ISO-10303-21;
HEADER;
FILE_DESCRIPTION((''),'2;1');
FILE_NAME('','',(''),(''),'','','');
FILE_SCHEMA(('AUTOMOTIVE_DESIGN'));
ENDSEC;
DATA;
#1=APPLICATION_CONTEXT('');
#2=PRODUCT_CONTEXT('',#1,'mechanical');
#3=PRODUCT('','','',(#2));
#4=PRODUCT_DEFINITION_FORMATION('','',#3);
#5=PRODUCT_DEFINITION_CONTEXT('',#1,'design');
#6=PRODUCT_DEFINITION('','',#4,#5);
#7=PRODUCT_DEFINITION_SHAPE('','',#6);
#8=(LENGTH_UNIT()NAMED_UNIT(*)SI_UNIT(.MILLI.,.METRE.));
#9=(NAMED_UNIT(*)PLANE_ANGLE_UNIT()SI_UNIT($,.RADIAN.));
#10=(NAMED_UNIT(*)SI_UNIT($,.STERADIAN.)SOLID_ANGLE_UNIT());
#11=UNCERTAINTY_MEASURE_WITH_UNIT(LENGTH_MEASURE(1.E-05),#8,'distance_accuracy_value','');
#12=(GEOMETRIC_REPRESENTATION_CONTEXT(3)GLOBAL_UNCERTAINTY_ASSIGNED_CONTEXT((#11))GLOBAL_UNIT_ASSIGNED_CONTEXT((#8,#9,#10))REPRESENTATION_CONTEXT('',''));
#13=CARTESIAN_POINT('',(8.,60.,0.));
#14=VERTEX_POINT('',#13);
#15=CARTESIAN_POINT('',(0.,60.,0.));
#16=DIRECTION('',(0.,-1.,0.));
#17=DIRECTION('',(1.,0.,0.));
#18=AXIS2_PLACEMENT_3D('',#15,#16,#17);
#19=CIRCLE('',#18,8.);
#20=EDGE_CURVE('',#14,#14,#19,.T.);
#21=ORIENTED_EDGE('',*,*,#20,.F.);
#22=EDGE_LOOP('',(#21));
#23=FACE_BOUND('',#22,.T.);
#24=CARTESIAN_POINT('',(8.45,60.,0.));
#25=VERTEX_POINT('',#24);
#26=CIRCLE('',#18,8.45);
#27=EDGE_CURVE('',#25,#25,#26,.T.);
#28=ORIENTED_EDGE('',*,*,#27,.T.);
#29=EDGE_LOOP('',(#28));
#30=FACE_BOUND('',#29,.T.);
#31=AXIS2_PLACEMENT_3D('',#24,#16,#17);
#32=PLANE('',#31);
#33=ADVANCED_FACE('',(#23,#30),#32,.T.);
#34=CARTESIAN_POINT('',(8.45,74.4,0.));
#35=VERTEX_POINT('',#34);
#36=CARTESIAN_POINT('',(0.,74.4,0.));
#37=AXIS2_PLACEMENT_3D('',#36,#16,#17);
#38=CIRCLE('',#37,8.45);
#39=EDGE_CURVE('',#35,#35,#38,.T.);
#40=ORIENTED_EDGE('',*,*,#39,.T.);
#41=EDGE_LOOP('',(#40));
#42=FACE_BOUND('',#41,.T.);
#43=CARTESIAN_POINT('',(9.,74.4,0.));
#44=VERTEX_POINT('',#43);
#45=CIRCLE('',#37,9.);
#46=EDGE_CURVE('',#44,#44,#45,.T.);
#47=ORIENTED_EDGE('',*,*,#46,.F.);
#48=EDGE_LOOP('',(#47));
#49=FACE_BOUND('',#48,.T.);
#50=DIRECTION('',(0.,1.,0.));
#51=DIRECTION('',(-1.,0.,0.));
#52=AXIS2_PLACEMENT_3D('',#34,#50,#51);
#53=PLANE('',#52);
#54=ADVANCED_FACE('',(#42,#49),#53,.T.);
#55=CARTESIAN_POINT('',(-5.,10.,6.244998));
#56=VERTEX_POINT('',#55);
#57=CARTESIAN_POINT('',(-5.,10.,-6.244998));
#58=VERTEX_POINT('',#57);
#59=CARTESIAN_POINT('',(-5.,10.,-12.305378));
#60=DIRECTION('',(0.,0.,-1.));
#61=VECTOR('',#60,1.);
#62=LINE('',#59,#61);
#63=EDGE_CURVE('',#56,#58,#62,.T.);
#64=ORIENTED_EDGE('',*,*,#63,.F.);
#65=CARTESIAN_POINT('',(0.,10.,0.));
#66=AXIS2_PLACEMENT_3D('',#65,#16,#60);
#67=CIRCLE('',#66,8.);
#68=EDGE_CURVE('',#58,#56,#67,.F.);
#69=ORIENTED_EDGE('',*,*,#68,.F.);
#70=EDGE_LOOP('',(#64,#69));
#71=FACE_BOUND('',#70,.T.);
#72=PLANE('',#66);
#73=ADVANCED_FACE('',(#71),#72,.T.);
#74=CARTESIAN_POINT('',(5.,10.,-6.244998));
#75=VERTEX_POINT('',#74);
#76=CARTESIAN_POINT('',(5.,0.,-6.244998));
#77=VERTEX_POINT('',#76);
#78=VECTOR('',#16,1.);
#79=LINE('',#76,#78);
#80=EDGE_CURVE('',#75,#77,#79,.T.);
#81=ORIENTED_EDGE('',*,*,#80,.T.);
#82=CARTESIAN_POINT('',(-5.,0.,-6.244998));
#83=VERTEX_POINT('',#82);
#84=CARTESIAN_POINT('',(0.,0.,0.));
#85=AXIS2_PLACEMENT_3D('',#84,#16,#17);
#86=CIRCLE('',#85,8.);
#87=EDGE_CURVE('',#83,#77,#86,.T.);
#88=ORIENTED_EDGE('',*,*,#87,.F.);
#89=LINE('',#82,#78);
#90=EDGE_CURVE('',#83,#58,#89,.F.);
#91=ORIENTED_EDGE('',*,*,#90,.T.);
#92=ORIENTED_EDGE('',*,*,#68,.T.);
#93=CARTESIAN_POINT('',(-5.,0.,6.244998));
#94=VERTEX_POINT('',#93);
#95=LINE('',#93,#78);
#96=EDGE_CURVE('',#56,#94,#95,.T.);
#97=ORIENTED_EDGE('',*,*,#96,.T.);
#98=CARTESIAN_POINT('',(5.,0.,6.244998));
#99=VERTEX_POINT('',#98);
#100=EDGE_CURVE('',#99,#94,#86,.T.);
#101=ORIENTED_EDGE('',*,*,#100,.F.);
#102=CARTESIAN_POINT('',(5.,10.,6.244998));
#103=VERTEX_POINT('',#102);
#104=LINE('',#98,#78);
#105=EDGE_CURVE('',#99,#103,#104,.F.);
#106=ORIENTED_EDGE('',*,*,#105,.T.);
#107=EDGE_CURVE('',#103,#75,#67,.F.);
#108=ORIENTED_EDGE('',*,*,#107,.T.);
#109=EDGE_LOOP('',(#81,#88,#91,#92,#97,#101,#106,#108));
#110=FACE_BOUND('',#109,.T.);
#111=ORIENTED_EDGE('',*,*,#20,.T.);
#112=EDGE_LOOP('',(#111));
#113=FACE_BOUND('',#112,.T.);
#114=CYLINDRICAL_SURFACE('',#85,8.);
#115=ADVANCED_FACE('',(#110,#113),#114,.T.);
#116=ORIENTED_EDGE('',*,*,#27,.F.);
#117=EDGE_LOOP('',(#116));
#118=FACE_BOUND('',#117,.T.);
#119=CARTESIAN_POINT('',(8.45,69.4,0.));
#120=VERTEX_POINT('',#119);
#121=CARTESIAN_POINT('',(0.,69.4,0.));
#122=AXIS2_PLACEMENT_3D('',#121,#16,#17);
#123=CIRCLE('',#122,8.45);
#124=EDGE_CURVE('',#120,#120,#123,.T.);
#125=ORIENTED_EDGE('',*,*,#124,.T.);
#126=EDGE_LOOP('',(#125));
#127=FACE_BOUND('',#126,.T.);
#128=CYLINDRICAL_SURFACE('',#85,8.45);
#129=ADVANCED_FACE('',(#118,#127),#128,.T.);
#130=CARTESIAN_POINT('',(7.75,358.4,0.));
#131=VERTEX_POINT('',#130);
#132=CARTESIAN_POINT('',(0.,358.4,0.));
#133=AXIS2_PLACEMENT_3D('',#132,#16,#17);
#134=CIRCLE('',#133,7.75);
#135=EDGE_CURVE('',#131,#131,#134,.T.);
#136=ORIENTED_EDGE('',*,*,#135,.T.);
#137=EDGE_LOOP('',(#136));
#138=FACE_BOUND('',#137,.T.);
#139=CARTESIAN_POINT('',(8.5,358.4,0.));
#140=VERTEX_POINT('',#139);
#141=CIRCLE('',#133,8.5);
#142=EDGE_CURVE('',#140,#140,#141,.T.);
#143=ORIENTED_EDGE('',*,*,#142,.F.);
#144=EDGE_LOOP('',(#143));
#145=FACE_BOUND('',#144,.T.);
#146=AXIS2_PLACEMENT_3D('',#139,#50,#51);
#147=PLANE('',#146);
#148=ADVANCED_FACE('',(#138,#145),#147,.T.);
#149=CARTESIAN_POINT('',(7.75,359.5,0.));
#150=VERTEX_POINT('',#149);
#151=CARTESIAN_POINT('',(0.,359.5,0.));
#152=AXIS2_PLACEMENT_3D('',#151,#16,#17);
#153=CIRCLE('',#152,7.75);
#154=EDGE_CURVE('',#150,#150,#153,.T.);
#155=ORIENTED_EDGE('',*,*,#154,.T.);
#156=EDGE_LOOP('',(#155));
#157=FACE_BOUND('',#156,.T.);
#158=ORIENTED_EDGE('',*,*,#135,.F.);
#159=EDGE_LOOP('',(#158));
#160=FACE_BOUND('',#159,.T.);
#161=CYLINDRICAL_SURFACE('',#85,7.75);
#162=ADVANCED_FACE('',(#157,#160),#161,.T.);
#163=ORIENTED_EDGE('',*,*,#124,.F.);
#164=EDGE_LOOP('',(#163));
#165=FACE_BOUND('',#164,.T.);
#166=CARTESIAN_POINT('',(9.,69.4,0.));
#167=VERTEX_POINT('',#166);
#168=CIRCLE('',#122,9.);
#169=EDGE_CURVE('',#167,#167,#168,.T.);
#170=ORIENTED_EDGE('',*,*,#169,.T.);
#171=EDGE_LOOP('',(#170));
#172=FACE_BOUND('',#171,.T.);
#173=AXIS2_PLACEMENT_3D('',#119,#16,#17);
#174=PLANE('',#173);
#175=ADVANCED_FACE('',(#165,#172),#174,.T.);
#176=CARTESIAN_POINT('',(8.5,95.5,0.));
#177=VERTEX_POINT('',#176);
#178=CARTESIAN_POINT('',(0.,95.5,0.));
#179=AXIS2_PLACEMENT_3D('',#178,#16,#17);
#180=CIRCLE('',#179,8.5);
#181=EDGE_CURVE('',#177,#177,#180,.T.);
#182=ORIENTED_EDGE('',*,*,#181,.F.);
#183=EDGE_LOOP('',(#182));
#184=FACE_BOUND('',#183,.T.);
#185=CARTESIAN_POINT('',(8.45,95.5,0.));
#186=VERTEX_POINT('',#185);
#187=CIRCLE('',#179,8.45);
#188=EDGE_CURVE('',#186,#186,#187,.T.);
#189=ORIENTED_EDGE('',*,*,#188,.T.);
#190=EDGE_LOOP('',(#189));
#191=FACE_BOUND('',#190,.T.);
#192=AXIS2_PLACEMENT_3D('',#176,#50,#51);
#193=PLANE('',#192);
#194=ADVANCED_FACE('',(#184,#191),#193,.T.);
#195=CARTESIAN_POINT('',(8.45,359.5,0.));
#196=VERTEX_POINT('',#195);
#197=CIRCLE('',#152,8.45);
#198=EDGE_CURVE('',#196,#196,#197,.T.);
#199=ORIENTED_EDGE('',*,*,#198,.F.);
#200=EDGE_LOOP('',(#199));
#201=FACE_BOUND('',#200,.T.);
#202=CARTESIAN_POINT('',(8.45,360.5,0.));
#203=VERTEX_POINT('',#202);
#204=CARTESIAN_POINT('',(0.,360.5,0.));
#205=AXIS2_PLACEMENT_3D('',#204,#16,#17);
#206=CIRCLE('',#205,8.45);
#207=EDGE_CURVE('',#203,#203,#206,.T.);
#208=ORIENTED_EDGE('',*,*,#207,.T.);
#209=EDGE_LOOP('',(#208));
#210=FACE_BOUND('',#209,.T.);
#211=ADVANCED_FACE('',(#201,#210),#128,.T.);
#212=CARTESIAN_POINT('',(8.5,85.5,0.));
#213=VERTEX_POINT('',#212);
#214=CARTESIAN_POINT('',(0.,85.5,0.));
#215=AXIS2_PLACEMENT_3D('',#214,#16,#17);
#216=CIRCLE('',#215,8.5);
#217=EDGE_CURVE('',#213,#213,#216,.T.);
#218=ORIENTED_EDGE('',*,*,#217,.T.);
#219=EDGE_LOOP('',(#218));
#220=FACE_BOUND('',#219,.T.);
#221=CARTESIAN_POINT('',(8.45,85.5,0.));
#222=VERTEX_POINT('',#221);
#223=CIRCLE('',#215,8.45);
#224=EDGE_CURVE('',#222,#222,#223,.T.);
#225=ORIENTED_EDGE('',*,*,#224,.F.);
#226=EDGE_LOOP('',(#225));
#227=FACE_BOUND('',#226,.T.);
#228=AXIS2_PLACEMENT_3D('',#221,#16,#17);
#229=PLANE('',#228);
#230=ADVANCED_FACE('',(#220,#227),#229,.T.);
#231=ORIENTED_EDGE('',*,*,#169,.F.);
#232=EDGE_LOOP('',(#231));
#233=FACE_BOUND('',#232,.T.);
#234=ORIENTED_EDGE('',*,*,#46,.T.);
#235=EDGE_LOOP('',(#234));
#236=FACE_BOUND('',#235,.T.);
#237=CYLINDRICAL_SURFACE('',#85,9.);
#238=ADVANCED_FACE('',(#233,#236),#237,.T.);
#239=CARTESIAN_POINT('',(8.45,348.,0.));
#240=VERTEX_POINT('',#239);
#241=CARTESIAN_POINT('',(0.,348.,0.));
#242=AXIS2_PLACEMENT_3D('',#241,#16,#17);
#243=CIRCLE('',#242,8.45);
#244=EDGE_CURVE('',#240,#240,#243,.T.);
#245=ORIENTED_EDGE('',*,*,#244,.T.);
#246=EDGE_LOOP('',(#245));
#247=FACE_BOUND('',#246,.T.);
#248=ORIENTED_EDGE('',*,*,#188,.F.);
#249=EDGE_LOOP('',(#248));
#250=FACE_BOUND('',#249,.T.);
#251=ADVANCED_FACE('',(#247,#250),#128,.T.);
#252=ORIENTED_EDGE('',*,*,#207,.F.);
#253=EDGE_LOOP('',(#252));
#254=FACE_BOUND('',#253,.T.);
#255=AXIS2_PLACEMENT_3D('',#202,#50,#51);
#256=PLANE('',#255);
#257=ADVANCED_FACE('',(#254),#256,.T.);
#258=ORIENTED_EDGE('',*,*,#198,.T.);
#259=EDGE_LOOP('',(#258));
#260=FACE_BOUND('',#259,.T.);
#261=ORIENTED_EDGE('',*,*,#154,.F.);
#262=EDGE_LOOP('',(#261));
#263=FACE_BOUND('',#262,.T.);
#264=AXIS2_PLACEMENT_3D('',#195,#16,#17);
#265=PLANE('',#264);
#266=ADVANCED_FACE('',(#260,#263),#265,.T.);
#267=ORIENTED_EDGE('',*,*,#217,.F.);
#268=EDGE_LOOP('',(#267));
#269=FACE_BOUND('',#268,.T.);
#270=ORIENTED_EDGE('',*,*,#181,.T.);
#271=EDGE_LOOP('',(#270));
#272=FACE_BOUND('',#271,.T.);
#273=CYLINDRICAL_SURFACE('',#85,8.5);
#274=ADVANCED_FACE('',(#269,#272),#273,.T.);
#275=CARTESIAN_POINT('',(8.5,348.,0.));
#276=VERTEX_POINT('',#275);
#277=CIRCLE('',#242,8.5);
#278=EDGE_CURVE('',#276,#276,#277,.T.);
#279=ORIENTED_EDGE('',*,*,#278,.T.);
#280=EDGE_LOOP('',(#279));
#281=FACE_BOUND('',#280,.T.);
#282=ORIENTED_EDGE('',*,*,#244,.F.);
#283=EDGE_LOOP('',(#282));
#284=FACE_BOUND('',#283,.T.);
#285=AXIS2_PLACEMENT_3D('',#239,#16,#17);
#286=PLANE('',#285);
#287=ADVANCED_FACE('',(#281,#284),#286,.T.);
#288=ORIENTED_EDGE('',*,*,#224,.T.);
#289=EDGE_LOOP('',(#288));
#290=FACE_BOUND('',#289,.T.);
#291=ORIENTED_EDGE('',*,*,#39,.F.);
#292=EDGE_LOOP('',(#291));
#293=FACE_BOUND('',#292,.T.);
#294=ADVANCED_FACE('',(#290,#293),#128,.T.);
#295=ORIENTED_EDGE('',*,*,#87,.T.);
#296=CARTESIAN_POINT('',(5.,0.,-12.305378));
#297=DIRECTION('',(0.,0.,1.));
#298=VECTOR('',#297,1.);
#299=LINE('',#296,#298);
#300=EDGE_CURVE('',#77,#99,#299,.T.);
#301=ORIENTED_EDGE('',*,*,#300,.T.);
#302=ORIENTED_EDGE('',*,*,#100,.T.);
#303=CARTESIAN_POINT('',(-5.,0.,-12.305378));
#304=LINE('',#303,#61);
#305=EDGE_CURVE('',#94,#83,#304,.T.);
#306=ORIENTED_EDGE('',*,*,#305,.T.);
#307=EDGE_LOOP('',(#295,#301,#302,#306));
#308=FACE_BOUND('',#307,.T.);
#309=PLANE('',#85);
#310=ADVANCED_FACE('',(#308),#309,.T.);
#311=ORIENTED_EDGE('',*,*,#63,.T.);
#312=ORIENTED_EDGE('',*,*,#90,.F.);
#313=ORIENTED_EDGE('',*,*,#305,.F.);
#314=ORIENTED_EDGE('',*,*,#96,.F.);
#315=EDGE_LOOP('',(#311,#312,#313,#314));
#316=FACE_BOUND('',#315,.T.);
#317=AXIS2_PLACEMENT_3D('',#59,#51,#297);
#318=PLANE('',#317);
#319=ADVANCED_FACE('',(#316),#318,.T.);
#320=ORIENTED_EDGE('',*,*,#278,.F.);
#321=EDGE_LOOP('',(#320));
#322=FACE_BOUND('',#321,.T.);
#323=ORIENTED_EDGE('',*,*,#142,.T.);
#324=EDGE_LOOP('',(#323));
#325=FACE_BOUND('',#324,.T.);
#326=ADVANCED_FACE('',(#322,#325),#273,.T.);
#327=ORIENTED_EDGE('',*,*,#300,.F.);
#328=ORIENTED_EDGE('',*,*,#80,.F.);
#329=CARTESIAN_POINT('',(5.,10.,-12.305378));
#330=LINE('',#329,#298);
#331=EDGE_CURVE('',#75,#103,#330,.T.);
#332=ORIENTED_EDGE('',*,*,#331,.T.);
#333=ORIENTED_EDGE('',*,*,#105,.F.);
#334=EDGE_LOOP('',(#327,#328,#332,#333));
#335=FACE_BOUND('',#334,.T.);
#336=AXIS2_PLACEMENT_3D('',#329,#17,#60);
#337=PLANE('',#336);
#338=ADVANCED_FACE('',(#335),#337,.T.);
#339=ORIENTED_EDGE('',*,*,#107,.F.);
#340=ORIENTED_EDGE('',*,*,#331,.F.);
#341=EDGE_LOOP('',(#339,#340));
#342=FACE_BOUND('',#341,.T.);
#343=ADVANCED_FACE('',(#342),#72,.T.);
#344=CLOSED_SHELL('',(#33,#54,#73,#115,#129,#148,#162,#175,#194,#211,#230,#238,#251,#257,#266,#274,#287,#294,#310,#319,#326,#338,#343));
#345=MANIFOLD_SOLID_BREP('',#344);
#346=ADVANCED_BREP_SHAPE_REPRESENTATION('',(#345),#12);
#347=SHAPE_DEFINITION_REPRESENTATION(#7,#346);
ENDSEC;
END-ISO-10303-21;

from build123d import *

# Parameters (mm, degrees)
ESQUISSE2_OUTSIDE_W   = 92.28
ESQUISSE2_OUTSIDE_H   = 92.28
ESQUISSE2_OUTSIDE_W_2 = 10
ESQUISSE2_OUTSIDE_H_2 = 24.610755802
EXTRUSION1_DEPTH      = 10


with BuildPart() as part:
    # Esquisse1 → Révolution1 (revolve)
    with BuildSketch(Plane.XY):
        Polygon((0, 0), (8, 0), (8, 60), (8.45, 60), (8.45, 69.4), (9, 69.4), (9, 74.4), (8.45, 74.4), (8.45, 85.5), (8.5, 85.5), (8.5, 95.5), (8.45, 95.5), (8.45, 348), (8.5, 348), (8.5, 358.4), (7.75, 358.4), (7.75, 359.5), (8.45, 359.5), (8.45, 360.5), (0, 360.5), align=None)
    revolve(axis=Axis((0, 0, 0), (0, 1, 0)))

    # Esquisse2 outside → Extrusion1 (cut)
    with BuildSketch(Plane.XZ):
        Rectangle(ESQUISSE2_OUTSIDE_W, ESQUISSE2_OUTSIDE_H)
        Rectangle(ESQUISSE2_OUTSIDE_W_2, ESQUISSE2_OUTSIDE_H_2, mode=Mode.SUBTRACT)
    extrude(amount=-EXTRUSION1_DEPTH, mode=Mode.SUBTRACT)


solid = part.part
